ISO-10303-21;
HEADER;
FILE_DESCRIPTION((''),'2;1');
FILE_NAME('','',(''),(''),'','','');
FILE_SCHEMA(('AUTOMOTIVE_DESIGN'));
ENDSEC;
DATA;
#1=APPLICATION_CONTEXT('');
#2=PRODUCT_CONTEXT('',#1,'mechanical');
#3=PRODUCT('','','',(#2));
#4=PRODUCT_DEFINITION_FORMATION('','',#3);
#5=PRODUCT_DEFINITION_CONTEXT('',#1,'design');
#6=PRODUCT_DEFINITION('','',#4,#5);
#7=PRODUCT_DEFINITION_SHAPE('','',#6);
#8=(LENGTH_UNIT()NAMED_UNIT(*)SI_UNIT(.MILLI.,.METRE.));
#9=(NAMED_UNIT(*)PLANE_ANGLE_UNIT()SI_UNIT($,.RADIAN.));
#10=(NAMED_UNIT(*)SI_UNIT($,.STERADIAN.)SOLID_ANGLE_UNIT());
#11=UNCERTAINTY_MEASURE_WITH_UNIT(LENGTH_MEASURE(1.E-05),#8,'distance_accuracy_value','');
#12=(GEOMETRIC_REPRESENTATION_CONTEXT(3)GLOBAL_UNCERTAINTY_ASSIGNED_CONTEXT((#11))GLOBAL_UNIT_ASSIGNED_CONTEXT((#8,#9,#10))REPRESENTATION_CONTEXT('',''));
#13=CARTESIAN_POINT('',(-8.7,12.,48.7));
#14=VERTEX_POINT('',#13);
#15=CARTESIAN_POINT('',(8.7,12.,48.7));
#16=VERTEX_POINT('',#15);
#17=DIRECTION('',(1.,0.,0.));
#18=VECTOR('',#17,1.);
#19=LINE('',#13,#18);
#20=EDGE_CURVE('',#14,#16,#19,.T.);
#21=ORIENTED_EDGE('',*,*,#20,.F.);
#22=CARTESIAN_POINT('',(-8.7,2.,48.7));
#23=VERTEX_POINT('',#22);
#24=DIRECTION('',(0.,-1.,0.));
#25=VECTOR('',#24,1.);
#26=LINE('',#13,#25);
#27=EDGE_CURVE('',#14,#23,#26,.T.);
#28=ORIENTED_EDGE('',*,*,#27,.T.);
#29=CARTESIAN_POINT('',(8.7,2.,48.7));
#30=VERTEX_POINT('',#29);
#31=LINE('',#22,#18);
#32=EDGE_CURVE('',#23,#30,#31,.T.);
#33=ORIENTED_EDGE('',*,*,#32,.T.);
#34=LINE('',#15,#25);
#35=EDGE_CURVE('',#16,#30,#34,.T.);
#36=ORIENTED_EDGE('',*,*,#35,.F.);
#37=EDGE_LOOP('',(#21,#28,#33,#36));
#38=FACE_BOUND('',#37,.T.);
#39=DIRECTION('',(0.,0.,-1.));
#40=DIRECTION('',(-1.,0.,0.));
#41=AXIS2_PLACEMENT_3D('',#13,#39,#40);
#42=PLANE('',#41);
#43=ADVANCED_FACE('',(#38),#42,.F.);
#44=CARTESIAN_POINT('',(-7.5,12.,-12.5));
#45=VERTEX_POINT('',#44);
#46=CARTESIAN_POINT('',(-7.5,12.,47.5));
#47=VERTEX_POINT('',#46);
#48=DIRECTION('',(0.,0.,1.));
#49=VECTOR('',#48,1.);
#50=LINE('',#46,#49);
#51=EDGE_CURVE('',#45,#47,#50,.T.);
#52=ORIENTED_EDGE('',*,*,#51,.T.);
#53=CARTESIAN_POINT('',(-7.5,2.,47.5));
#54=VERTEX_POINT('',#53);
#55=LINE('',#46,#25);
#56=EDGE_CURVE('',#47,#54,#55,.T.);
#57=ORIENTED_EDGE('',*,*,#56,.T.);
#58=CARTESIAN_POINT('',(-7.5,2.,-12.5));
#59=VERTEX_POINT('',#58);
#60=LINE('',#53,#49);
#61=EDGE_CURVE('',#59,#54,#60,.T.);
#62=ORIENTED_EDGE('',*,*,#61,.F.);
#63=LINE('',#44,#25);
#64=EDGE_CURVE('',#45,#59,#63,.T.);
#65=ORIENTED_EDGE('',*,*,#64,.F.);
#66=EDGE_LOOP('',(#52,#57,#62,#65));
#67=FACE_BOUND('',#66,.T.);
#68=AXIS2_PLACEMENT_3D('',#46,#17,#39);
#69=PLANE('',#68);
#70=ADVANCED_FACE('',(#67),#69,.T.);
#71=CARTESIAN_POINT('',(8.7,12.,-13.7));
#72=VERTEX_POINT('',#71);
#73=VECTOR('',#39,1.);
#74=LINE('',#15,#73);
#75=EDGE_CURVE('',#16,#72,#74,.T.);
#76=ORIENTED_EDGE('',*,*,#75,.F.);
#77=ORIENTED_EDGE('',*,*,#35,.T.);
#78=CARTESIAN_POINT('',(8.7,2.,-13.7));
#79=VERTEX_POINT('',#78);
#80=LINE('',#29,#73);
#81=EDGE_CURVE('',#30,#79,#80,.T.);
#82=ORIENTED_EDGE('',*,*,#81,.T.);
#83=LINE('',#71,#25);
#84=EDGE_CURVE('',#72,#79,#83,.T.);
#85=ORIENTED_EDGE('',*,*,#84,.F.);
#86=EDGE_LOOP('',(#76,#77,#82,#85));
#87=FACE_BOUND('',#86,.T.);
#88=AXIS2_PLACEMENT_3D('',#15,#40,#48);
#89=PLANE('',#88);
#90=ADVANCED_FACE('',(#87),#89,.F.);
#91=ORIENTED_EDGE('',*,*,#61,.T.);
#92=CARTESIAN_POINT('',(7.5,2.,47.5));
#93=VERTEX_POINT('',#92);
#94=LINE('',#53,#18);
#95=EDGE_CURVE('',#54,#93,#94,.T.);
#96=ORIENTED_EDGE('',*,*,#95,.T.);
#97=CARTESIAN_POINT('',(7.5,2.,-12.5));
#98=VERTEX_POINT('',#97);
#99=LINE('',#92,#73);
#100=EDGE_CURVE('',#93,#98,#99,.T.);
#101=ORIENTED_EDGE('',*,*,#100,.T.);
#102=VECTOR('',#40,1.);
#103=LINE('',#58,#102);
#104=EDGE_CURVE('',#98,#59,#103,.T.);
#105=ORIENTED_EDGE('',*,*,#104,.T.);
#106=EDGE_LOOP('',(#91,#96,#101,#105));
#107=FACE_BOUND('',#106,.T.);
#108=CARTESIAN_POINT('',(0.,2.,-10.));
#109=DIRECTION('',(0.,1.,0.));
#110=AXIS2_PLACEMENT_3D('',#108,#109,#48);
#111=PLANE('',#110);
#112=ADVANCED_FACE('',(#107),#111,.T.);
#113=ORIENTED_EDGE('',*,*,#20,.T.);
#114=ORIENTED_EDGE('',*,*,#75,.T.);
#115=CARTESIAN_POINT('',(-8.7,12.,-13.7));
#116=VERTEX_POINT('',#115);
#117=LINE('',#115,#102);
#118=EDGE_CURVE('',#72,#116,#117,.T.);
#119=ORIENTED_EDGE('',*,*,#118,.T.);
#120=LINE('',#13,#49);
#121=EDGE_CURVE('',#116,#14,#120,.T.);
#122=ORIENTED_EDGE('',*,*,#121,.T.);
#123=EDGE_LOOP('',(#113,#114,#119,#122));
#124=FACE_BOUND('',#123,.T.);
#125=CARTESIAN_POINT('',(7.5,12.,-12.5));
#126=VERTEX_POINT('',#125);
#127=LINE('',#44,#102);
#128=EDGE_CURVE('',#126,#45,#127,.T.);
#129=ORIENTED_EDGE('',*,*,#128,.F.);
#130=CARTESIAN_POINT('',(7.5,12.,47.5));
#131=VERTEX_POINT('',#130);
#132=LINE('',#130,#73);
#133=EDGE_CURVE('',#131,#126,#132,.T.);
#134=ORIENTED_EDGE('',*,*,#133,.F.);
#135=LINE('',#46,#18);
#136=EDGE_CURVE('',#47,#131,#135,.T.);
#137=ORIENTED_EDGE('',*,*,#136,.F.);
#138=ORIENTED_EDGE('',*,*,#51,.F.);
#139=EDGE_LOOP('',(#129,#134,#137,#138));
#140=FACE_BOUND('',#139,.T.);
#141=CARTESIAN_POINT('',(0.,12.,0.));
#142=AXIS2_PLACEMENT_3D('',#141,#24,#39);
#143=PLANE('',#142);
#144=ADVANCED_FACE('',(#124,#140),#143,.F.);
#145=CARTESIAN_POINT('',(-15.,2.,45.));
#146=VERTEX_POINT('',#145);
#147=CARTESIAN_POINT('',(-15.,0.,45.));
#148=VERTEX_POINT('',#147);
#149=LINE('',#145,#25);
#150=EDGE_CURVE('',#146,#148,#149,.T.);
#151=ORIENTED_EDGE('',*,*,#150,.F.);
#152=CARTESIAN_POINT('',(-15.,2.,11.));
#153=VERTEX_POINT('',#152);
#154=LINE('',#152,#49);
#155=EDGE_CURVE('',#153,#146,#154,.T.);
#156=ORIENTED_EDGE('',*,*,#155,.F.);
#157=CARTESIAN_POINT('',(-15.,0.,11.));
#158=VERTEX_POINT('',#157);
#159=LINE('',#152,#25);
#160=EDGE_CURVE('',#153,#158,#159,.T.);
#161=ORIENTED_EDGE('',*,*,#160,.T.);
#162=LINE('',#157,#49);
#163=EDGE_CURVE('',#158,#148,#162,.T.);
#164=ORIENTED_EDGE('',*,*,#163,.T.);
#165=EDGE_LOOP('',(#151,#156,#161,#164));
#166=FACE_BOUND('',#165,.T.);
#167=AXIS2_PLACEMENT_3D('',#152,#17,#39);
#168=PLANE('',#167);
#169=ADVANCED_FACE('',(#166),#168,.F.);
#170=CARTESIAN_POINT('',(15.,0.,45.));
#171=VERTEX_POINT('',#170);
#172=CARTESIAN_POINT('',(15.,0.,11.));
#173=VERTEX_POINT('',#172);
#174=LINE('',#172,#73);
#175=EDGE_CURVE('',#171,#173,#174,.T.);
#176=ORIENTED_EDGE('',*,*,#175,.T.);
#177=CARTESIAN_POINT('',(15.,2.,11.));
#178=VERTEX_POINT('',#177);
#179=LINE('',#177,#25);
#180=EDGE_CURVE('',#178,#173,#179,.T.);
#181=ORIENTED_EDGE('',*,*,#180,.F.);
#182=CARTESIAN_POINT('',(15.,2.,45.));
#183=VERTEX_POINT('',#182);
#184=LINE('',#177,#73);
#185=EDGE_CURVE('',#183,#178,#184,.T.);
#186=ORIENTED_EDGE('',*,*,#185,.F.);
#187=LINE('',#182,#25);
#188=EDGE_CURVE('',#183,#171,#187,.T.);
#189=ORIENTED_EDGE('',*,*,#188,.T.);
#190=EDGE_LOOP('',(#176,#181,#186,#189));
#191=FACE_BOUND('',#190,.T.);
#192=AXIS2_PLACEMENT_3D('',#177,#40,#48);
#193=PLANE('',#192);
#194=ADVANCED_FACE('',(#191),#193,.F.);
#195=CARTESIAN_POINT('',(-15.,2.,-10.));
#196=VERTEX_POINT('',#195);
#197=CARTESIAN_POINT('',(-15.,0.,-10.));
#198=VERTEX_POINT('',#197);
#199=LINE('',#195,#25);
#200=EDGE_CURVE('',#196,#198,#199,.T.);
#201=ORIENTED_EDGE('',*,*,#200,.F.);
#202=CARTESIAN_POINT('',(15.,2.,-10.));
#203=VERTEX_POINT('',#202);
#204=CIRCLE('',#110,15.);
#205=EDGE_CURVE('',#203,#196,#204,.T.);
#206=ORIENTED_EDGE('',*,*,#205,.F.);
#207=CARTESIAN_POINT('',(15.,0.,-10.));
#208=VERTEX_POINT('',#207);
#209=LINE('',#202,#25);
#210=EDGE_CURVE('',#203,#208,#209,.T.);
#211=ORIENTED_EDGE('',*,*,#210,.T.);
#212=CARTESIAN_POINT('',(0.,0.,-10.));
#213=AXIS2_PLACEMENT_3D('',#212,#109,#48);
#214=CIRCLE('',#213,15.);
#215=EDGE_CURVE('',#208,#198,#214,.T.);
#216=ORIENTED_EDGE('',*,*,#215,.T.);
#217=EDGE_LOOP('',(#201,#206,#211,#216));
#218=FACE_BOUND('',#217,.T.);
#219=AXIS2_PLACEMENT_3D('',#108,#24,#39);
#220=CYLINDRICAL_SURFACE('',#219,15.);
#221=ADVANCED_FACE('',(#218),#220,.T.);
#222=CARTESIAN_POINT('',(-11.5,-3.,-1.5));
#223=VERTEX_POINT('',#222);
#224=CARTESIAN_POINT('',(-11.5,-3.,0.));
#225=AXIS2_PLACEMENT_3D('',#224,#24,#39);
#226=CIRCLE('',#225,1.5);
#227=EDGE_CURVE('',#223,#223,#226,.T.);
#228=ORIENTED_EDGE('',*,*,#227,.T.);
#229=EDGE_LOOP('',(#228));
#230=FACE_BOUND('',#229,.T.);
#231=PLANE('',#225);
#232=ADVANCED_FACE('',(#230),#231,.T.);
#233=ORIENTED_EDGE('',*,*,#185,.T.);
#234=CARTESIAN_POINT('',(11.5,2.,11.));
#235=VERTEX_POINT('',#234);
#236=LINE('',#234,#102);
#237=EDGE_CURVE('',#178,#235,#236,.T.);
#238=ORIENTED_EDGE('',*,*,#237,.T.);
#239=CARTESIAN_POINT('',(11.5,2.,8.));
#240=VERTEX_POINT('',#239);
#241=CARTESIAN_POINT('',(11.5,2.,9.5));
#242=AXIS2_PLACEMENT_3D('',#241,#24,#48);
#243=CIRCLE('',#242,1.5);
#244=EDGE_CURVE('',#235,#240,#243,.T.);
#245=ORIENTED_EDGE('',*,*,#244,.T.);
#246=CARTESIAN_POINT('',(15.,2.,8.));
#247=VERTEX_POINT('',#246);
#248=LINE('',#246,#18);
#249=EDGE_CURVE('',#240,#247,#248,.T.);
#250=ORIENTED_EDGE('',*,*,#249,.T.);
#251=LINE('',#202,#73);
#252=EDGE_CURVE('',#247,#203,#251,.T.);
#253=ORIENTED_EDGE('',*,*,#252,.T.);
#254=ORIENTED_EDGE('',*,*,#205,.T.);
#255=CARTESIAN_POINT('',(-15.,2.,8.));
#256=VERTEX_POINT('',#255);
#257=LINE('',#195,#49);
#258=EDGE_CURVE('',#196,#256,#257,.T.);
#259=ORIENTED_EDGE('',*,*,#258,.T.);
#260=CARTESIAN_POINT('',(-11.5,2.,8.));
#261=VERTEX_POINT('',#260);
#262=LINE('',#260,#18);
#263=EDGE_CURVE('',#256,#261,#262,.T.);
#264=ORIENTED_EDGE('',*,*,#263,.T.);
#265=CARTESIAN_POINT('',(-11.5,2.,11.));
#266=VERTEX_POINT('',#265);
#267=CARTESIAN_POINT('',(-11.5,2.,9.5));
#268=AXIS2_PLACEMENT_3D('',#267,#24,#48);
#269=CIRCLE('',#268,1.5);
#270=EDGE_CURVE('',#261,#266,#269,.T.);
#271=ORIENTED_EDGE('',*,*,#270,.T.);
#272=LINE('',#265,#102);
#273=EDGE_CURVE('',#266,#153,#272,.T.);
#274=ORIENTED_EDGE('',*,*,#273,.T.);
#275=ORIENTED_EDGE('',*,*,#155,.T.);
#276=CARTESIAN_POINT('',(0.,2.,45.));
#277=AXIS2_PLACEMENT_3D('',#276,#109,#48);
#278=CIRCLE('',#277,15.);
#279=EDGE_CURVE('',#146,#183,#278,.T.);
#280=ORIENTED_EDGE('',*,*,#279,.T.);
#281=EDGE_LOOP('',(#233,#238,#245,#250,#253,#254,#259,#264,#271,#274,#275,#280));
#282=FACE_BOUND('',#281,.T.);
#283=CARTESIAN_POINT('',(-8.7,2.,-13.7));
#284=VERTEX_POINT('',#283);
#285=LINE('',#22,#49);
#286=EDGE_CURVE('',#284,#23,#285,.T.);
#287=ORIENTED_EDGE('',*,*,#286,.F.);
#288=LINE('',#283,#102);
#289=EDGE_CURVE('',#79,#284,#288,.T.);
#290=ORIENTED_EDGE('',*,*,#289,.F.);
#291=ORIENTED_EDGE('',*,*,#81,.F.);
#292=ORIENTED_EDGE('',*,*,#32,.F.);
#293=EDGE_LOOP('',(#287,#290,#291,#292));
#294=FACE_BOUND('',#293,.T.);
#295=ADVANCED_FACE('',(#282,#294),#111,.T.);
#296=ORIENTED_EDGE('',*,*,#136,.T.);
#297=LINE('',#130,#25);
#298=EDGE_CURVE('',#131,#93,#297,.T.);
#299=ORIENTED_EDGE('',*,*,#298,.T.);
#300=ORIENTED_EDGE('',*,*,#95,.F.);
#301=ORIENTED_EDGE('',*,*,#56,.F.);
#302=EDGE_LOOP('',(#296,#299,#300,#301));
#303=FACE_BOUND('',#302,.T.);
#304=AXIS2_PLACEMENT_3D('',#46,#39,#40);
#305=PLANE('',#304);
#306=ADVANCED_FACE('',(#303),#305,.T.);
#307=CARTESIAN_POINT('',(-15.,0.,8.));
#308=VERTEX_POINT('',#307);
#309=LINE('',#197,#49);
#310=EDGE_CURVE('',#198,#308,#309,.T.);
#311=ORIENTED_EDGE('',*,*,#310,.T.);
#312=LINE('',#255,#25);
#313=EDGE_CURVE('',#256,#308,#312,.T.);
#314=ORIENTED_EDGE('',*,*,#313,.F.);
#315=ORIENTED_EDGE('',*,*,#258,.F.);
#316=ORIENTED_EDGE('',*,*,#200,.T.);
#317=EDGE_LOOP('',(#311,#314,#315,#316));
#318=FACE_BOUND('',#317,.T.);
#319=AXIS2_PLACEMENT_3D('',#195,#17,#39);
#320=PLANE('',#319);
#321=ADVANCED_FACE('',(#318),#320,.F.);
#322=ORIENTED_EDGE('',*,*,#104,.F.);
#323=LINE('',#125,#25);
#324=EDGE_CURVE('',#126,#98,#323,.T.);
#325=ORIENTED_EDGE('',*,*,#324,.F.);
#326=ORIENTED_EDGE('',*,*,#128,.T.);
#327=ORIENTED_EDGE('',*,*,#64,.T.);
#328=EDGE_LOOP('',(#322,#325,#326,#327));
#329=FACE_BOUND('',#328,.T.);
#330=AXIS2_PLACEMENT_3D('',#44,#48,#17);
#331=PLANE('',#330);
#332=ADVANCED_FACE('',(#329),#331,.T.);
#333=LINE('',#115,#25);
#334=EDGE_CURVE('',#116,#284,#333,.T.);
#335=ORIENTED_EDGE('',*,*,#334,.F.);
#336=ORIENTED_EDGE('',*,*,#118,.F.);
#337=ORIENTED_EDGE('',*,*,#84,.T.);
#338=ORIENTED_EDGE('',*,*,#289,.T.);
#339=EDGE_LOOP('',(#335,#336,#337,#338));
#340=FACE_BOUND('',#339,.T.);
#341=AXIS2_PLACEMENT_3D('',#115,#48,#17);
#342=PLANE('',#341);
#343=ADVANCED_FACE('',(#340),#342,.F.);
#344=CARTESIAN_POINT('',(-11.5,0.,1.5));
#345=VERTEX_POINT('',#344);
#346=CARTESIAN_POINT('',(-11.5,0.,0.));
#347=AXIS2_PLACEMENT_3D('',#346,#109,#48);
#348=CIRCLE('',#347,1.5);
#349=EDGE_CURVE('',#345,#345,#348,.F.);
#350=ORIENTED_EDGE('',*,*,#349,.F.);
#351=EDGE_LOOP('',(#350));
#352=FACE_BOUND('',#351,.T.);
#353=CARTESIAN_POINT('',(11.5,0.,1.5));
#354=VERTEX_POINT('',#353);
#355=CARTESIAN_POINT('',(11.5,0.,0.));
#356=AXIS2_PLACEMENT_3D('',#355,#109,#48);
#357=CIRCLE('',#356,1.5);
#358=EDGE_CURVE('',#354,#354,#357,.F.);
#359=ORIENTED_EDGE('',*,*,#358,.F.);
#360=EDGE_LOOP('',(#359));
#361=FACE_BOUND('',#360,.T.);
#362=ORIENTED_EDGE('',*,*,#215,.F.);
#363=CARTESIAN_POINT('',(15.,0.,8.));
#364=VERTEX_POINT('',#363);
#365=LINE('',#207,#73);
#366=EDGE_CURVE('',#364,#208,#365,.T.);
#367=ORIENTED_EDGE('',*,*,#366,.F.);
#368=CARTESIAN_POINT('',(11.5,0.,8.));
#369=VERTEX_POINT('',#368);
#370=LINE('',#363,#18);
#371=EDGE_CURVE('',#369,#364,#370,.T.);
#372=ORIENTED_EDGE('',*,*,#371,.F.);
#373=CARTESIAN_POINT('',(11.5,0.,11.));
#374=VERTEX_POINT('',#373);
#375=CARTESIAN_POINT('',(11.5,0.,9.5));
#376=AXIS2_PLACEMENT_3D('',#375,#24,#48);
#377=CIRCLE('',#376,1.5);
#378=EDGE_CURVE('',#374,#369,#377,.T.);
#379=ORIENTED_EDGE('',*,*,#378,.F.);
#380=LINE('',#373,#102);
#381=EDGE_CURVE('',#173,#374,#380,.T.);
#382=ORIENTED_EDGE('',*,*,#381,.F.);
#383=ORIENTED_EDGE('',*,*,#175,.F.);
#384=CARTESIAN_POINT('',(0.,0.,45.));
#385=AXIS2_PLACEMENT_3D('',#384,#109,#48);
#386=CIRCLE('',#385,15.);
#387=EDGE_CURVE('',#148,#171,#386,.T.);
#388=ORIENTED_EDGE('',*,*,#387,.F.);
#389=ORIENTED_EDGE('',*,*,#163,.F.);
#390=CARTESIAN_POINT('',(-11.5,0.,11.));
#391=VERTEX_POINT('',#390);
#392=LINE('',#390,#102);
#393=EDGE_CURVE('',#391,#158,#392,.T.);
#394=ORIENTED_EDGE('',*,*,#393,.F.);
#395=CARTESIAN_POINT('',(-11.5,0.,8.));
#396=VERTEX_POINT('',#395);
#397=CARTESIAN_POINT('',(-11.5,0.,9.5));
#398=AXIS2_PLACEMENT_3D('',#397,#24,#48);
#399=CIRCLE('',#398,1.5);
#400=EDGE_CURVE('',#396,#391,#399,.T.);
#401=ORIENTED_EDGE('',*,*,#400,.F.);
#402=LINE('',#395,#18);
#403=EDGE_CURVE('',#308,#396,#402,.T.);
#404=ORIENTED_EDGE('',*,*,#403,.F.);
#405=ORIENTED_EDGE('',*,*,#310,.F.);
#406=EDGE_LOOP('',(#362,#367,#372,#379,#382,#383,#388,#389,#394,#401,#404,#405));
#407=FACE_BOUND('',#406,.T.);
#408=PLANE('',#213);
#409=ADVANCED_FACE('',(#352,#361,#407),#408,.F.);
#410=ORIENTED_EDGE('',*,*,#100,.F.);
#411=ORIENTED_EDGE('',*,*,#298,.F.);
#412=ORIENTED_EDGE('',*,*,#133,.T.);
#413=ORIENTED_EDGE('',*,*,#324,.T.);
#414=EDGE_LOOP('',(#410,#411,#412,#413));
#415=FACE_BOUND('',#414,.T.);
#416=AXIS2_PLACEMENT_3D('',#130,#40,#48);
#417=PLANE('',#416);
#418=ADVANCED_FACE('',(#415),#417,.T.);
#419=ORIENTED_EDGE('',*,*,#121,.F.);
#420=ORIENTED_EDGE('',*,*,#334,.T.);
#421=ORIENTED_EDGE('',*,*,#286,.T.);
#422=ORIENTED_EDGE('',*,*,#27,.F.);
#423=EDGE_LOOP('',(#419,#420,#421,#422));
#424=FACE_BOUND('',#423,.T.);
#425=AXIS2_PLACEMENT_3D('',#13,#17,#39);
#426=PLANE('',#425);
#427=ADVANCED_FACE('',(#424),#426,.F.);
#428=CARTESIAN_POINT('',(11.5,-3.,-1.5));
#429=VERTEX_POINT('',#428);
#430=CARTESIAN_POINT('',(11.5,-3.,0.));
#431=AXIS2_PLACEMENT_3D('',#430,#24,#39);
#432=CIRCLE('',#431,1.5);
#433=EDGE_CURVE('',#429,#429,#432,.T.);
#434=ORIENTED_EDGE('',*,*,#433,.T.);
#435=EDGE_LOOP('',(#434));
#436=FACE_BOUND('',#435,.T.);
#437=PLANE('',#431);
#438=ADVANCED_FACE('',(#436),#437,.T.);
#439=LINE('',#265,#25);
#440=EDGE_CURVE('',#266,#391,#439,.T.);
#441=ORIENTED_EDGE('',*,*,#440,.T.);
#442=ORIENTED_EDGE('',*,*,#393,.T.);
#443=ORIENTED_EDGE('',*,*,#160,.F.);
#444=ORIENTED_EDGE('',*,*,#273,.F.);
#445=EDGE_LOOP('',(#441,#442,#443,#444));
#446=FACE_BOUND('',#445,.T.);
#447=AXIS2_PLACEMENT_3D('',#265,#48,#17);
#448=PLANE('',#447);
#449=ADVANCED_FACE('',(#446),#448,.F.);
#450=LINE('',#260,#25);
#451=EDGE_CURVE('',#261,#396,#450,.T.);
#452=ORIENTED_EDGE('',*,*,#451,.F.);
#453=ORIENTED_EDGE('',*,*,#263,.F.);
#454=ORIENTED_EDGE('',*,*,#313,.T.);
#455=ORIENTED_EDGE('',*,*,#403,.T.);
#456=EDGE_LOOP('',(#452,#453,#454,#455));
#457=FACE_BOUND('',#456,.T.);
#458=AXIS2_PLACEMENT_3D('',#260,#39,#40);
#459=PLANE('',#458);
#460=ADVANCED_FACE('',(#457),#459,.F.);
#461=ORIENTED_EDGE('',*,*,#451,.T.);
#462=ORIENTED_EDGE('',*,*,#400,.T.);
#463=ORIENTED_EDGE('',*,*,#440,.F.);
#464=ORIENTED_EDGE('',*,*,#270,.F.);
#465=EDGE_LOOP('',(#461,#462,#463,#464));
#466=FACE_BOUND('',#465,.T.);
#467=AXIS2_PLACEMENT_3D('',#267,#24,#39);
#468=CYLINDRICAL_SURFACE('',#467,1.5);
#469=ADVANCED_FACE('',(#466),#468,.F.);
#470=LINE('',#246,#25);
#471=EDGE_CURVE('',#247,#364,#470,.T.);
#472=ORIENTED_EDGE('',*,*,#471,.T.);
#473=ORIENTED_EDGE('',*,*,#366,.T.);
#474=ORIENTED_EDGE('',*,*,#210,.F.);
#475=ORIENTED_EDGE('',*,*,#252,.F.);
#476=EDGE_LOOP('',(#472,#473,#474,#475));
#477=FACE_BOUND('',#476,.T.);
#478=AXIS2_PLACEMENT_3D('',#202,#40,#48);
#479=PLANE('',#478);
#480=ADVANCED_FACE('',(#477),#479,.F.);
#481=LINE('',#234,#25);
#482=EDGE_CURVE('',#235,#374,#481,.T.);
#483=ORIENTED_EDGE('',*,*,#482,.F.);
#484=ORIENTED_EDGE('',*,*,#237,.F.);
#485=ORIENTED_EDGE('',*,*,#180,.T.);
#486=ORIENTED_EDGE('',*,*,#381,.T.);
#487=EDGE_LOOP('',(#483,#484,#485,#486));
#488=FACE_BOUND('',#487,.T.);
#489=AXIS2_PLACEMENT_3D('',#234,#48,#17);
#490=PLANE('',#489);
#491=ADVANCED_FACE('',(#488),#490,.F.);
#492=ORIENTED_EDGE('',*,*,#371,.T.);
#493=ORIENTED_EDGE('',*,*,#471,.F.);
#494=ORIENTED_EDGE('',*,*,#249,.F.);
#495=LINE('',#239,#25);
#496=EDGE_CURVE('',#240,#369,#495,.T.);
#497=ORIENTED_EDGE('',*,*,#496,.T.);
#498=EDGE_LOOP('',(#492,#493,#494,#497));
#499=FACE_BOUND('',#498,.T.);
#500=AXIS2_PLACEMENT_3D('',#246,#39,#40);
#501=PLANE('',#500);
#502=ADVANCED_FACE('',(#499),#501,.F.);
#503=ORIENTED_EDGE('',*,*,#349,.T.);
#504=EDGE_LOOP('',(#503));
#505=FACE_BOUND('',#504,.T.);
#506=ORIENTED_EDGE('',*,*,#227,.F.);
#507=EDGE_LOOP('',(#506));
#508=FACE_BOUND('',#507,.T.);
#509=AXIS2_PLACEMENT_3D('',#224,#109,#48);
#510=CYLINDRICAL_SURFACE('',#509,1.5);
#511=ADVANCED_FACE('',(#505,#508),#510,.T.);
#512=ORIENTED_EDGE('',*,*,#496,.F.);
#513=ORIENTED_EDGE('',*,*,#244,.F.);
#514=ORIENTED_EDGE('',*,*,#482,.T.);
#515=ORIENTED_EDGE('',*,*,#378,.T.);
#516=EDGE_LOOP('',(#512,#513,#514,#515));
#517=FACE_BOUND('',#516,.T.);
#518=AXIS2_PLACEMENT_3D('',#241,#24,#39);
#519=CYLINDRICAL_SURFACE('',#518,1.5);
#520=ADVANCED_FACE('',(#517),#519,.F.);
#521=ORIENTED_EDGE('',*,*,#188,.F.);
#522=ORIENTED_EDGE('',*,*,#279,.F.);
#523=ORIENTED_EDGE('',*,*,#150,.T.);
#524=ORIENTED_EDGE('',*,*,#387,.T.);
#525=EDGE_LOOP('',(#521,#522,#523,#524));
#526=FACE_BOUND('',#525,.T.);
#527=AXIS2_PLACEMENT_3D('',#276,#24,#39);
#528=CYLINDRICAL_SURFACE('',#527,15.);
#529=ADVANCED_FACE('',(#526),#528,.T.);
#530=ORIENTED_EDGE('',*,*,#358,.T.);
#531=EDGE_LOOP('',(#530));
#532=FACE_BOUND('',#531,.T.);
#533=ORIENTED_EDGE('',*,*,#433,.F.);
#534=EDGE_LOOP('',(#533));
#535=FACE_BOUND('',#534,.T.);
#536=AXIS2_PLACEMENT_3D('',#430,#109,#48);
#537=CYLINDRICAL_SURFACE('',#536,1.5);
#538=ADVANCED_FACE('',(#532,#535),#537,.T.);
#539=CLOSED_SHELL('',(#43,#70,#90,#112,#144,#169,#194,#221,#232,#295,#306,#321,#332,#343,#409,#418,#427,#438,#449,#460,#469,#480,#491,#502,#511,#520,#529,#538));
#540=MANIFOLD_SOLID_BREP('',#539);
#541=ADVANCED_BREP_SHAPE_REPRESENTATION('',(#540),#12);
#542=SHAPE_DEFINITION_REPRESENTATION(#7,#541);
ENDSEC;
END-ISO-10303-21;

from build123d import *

# Parameters (mm, degrees)
PLATE_EXTRUDE_DEPTH = 2
PEG_SKETCH_R        = 1.5
PEG_EXTRUDE_DEPTH   = 3
SKETCH3_W           = 17.4
SKETCH3_H           = 62.4
SKETCH3_W_2         = 15
SKETCH3_H_2         = 60
BOSS_EXTRUDE3_DEPTH = 10


with BuildPart() as part:
    # Plate Sketch → Plate Extrude (new body)
    with BuildSketch(Plane(origin=(0, 0, 0), x_dir=(1, 0, 0), z_dir=(0, 1, 0))):
        with BuildLine():
            Line((15, 10), (15, -8))
            Line((15, -8), (11.5, -8))
            ThreePointArc((11.5, -8), (10, -9.5), (11.5, -11))
            Line((11.5, -11), (15, -11))
            Line((15, -11), (15, -45))
            ThreePointArc((15, -45), (0, -60), (-15, -45))
            Line((-15, -45), (-15, -11))
            Line((-15, -11), (-11.5, -11))
            ThreePointArc((-11.5, -11), (-10, -9.5), (-11.5, -8))
            Line((-11.5, -8), (-15, -8))
            Line((-15, -8), (-15, 10))
            ThreePointArc((-15, 10), (0, 25), (15, 10))
        make_face()
    extrude(amount=PLATE_EXTRUDE_DEPTH)

    # Peg Sketch → Peg Extrude (add)
    with BuildSketch(Plane.XZ):
        with Locations(Location((11.5, 0, 0), (0, 0, 90))):
            Circle(PEG_SKETCH_R)
        with Locations(Location((-11.5, 0, 0), (0, 0, 90))):
            Circle(PEG_SKETCH_R)
    extrude(amount=PEG_EXTRUDE_DEPTH)

    # Sketch3 → Boss-Extrude3 (add)
    with BuildSketch(Plane(origin=(0, 2, 0), x_dir=(1, 0, 0), z_dir=(0, 1, 0))):
        with Locations((0, -17.5)):
            Rectangle(SKETCH3_W, SKETCH3_H)
        with Locations((0, -17.5)):
            Rectangle(SKETCH3_W_2, SKETCH3_H_2, mode=Mode.SUBTRACT)
    extrude(amount=BOSS_EXTRUDE3_DEPTH)


solid = part.part
